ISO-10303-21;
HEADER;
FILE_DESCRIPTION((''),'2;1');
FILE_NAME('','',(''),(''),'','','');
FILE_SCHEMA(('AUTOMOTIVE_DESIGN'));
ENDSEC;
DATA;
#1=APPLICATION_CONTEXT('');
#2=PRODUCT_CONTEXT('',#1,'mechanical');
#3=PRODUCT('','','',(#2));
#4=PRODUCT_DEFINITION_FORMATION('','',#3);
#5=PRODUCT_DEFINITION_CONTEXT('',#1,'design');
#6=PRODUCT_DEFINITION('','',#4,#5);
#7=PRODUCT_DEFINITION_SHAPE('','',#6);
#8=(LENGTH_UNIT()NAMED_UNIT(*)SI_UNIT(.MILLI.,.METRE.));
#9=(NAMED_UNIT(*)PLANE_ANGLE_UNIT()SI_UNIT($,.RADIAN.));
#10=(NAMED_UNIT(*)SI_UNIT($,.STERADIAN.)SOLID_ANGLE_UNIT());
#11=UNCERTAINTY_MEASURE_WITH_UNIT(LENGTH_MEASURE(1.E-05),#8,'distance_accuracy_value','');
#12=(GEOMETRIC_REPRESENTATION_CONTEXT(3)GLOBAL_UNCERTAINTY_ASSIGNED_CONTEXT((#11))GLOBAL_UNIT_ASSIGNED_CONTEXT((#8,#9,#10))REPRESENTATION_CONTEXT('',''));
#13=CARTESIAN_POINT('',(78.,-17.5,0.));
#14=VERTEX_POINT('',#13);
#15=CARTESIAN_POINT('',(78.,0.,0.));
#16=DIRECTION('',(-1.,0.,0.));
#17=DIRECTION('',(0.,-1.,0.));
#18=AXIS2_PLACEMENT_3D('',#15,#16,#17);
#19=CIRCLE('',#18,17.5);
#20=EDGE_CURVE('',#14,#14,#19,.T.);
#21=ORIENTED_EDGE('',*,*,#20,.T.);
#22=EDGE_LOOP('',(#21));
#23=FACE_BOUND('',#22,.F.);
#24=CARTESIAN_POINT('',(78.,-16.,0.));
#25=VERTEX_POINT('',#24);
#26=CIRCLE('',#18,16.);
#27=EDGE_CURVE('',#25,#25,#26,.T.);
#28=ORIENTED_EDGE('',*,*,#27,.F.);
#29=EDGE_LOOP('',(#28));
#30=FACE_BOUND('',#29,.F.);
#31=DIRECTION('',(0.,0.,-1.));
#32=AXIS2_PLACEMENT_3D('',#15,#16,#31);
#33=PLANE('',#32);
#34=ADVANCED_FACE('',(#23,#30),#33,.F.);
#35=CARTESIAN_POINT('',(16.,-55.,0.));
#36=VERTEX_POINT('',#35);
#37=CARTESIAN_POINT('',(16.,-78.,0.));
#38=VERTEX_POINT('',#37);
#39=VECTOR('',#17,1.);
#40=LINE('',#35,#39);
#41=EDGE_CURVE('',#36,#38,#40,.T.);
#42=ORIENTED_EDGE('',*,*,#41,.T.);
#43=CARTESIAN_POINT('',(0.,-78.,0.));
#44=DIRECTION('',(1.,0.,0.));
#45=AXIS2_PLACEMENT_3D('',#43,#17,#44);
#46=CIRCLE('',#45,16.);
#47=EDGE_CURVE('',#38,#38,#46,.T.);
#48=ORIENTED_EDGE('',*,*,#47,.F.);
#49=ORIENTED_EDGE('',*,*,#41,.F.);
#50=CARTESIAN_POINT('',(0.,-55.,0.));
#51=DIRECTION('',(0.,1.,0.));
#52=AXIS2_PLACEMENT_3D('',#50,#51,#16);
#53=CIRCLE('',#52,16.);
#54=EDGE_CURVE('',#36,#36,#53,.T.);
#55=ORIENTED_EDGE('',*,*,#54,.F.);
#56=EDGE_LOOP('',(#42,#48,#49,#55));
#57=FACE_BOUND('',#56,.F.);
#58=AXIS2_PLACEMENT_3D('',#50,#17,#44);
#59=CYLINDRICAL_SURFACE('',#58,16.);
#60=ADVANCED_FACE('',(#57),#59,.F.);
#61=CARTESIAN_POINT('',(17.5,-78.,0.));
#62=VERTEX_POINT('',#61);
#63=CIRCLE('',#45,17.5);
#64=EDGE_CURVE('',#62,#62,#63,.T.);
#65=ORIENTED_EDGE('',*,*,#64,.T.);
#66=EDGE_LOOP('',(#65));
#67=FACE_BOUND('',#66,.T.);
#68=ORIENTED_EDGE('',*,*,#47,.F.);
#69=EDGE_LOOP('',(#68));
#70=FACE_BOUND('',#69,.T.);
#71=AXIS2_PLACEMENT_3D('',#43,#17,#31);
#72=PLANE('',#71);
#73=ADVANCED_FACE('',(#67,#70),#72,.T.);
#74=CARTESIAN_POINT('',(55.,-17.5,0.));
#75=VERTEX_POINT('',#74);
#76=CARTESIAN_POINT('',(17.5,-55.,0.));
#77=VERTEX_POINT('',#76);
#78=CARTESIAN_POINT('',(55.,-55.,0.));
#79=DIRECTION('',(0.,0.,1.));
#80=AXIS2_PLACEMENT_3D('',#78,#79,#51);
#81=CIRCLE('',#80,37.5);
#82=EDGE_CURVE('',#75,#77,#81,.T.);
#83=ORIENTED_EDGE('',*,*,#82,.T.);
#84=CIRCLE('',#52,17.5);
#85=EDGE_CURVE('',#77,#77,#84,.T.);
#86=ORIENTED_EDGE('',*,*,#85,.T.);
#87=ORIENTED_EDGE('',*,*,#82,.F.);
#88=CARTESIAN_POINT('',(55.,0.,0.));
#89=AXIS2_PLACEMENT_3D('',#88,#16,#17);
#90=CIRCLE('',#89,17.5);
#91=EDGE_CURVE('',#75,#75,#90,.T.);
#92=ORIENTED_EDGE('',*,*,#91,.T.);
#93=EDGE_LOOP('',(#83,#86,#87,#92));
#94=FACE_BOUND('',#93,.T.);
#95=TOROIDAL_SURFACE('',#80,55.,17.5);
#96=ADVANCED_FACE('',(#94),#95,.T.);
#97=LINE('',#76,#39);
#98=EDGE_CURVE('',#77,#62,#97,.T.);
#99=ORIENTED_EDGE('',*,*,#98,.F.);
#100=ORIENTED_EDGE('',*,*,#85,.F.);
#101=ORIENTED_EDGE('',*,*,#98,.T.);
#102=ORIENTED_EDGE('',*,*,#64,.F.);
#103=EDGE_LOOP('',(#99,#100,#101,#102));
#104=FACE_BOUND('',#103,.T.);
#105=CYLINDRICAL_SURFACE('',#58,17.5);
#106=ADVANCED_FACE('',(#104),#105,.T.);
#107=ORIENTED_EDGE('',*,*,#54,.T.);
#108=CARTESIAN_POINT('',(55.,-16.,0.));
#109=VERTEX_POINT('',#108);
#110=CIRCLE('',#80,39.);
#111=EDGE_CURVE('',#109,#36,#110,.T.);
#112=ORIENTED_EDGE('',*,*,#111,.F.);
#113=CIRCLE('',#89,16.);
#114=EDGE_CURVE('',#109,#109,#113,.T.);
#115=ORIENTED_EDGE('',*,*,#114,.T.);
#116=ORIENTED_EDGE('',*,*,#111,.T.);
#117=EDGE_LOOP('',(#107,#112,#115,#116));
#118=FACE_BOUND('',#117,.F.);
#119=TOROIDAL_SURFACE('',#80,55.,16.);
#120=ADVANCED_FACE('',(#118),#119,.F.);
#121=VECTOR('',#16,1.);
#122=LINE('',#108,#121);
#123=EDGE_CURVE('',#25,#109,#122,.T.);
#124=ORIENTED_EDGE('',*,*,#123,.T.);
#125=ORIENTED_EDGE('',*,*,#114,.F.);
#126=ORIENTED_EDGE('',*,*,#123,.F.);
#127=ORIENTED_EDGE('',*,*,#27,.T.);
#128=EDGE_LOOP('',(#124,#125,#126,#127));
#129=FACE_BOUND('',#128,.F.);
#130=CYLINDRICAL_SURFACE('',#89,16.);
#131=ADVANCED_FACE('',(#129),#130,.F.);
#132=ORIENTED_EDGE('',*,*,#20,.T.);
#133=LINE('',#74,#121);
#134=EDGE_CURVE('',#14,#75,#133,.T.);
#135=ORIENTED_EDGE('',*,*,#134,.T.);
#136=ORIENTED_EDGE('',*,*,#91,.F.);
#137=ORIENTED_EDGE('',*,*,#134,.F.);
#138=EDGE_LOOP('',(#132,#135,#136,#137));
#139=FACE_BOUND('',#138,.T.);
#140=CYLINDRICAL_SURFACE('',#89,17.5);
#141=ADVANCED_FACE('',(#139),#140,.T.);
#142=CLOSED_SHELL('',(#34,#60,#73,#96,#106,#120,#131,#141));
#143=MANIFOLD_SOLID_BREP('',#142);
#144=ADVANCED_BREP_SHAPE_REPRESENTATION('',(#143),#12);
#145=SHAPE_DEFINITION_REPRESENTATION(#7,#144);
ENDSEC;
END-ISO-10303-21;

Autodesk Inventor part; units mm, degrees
ref_plane "YZ Plane" through (0, 0, 0) normal (1, 0, 0) x (0, 1, 0)
ref_plane "XZ Plane" through (0, 0, 0) normal (0, 1, 0) x (-1, 0, 0)
sketch "Szkic6" plane through (0, 0, 0) normal (0, 0, 1) x (1, 0, 0)
  line L0 (-29.6067, 0) -> (35.2678, 0) construction
  line L1 (0, 42.3419) -> (0, -58.3726) construction
  arc A0 (55, 0) -> (0, -55) centre (55, -55) ccw
  line L2 (0, -55) -> (55, -55) construction
  line L3 (55, -55) -> (55, 10.5331) construction
  line L4 (55, 0) -> (78, 0)
  line L5 (0, -55) -> (0, -78)
  point P0 (0, 0)
  dimension "d24" = 55
  dimension "d31" = 90
  dimension "d36" = 23
  dimension "d37" = 23
ref_plane "Płaszczyzna konstrukcyjna2" through (0, -55, 0) normal (0, -1, 0) x (1, 0, 0)
sketch "Szkic8" plane through (0, -55, 0) normal (0, -1, 0) x (1, 0, 0)
  circle A0 centre (0, 0) radius 17.5
  circle A1 centre (0, 0) radius 16
  dimension "d32" = 35
  dimension "d33" = 1.5
sweep "Przeciągnięcie2" add profiles "Szkic8" path "Szkic6"
equation "\"d32\" = OD"
equation "\"d33\" = THK"
equation "\"d24\" = R"
equation "\"d31\" = KAT"
equation "\"d36\" = PROSTKA"
equation "\"d37\" = PROSTKA"
equation "\"SzerokośćGięciaPodcięcia\" = Grubość"
equation "\"RozmiarPodcięciaNarożnika\" = 4 * Grubość"
equation "\"PromieńPrzejścia\" = PromieńGięcia"
equation "\"Rozmiar_promienia_Jacobiego\" = PromieńGięcia"
equation "\"Wielk_odstępu\" = Grubość"
equation "\"d2\" = PromieńGięcia"
equation "\"d23\" = PromieńGięcia"
equation "\"R\" = 55"
equation "\"OD\" = 35"
equation "\"THK\" = 1.5"
equation "\"KAT\" = 90deg"
equation "\"PROSTKA\" = 23"
equation "\"Grubość\" = 1.5"
equation "\"PromieńGięcia\" = 3"
properties part number "Kolano 90° ø35x1,5 R55" material "304L"
